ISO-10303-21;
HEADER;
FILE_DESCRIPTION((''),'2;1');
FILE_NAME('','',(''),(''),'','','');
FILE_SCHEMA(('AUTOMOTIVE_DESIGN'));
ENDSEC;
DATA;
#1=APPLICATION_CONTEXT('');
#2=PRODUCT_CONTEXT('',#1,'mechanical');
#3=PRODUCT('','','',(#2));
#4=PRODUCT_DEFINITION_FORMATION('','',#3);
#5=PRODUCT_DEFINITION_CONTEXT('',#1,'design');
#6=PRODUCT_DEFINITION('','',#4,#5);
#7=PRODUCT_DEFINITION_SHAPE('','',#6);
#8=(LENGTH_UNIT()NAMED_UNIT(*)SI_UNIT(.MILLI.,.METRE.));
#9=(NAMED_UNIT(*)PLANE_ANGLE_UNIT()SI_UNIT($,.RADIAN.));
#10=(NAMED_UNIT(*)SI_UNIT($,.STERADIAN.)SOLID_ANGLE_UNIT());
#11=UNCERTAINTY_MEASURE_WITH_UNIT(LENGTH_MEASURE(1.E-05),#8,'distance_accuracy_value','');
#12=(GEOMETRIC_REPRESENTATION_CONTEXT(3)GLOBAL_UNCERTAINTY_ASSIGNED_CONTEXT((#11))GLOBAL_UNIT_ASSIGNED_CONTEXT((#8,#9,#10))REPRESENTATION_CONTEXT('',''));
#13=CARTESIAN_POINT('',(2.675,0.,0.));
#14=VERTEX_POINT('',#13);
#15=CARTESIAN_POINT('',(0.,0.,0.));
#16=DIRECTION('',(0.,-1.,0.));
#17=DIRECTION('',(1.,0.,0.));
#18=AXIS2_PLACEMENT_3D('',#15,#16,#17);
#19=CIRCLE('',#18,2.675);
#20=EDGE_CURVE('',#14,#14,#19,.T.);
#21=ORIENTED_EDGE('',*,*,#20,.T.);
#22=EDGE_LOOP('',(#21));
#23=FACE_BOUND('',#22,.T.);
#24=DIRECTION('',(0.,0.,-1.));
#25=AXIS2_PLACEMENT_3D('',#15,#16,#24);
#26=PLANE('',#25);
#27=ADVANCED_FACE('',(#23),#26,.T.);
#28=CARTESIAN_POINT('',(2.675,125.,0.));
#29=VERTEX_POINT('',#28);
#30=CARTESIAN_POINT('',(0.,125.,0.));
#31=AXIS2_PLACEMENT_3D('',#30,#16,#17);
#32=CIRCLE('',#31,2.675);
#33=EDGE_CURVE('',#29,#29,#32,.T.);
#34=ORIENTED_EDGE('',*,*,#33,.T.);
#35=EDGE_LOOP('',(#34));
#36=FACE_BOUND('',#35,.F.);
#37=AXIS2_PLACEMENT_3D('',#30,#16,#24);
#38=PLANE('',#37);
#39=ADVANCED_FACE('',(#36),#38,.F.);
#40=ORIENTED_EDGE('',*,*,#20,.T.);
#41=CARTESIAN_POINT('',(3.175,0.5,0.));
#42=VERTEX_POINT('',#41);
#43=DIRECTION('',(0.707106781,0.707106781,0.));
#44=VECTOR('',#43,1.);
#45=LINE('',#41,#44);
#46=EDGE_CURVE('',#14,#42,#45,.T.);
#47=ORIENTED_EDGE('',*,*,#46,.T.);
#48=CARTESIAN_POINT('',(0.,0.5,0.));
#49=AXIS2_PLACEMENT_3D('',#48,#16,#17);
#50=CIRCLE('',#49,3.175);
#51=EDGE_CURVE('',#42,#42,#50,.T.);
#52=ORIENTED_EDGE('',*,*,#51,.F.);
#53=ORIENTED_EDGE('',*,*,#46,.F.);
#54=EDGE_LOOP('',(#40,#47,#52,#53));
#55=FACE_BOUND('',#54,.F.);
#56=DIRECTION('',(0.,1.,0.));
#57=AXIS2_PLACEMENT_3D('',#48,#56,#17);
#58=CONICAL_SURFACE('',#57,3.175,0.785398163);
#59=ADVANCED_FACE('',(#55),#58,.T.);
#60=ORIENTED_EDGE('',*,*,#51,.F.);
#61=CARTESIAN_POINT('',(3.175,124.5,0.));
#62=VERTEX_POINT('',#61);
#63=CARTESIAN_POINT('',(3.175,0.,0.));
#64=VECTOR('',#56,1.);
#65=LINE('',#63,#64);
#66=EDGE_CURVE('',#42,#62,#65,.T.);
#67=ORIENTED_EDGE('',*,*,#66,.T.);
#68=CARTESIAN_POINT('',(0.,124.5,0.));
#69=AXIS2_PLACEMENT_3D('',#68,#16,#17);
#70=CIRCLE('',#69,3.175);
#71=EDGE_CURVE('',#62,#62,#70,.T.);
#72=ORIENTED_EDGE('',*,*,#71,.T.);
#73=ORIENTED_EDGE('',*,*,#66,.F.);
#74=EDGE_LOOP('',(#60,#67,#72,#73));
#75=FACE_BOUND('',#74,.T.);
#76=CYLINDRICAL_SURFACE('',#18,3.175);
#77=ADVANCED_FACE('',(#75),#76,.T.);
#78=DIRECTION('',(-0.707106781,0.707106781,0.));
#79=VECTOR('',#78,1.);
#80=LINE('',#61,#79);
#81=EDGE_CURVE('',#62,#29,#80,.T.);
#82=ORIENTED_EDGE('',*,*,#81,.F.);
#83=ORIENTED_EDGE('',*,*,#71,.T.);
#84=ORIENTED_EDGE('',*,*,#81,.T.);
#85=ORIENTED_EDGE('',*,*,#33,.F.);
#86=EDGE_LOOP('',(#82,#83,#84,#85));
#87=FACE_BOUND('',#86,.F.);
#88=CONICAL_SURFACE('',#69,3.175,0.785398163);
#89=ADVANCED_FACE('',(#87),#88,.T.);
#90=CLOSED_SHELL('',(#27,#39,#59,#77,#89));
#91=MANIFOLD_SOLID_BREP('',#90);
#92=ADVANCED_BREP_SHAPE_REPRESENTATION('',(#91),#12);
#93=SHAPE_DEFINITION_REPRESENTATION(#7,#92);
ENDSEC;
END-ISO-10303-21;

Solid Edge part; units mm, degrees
sketch "Sketch1" plane through (0, 0, 0) normal (0, -1, 0) x (1, 0, 0)
  circle A0 centre (0, 0) radius 3.175
extrude "Protrusion1" add sketch "Sketch1" against normal blind 125
chamfer "Chamfer_1" distance 0.5 angle 45 2 edges at (-3.175, 125, 0) (-3.175, 0, 0) measured on face at (-2.0532, 0, 2.1802)
